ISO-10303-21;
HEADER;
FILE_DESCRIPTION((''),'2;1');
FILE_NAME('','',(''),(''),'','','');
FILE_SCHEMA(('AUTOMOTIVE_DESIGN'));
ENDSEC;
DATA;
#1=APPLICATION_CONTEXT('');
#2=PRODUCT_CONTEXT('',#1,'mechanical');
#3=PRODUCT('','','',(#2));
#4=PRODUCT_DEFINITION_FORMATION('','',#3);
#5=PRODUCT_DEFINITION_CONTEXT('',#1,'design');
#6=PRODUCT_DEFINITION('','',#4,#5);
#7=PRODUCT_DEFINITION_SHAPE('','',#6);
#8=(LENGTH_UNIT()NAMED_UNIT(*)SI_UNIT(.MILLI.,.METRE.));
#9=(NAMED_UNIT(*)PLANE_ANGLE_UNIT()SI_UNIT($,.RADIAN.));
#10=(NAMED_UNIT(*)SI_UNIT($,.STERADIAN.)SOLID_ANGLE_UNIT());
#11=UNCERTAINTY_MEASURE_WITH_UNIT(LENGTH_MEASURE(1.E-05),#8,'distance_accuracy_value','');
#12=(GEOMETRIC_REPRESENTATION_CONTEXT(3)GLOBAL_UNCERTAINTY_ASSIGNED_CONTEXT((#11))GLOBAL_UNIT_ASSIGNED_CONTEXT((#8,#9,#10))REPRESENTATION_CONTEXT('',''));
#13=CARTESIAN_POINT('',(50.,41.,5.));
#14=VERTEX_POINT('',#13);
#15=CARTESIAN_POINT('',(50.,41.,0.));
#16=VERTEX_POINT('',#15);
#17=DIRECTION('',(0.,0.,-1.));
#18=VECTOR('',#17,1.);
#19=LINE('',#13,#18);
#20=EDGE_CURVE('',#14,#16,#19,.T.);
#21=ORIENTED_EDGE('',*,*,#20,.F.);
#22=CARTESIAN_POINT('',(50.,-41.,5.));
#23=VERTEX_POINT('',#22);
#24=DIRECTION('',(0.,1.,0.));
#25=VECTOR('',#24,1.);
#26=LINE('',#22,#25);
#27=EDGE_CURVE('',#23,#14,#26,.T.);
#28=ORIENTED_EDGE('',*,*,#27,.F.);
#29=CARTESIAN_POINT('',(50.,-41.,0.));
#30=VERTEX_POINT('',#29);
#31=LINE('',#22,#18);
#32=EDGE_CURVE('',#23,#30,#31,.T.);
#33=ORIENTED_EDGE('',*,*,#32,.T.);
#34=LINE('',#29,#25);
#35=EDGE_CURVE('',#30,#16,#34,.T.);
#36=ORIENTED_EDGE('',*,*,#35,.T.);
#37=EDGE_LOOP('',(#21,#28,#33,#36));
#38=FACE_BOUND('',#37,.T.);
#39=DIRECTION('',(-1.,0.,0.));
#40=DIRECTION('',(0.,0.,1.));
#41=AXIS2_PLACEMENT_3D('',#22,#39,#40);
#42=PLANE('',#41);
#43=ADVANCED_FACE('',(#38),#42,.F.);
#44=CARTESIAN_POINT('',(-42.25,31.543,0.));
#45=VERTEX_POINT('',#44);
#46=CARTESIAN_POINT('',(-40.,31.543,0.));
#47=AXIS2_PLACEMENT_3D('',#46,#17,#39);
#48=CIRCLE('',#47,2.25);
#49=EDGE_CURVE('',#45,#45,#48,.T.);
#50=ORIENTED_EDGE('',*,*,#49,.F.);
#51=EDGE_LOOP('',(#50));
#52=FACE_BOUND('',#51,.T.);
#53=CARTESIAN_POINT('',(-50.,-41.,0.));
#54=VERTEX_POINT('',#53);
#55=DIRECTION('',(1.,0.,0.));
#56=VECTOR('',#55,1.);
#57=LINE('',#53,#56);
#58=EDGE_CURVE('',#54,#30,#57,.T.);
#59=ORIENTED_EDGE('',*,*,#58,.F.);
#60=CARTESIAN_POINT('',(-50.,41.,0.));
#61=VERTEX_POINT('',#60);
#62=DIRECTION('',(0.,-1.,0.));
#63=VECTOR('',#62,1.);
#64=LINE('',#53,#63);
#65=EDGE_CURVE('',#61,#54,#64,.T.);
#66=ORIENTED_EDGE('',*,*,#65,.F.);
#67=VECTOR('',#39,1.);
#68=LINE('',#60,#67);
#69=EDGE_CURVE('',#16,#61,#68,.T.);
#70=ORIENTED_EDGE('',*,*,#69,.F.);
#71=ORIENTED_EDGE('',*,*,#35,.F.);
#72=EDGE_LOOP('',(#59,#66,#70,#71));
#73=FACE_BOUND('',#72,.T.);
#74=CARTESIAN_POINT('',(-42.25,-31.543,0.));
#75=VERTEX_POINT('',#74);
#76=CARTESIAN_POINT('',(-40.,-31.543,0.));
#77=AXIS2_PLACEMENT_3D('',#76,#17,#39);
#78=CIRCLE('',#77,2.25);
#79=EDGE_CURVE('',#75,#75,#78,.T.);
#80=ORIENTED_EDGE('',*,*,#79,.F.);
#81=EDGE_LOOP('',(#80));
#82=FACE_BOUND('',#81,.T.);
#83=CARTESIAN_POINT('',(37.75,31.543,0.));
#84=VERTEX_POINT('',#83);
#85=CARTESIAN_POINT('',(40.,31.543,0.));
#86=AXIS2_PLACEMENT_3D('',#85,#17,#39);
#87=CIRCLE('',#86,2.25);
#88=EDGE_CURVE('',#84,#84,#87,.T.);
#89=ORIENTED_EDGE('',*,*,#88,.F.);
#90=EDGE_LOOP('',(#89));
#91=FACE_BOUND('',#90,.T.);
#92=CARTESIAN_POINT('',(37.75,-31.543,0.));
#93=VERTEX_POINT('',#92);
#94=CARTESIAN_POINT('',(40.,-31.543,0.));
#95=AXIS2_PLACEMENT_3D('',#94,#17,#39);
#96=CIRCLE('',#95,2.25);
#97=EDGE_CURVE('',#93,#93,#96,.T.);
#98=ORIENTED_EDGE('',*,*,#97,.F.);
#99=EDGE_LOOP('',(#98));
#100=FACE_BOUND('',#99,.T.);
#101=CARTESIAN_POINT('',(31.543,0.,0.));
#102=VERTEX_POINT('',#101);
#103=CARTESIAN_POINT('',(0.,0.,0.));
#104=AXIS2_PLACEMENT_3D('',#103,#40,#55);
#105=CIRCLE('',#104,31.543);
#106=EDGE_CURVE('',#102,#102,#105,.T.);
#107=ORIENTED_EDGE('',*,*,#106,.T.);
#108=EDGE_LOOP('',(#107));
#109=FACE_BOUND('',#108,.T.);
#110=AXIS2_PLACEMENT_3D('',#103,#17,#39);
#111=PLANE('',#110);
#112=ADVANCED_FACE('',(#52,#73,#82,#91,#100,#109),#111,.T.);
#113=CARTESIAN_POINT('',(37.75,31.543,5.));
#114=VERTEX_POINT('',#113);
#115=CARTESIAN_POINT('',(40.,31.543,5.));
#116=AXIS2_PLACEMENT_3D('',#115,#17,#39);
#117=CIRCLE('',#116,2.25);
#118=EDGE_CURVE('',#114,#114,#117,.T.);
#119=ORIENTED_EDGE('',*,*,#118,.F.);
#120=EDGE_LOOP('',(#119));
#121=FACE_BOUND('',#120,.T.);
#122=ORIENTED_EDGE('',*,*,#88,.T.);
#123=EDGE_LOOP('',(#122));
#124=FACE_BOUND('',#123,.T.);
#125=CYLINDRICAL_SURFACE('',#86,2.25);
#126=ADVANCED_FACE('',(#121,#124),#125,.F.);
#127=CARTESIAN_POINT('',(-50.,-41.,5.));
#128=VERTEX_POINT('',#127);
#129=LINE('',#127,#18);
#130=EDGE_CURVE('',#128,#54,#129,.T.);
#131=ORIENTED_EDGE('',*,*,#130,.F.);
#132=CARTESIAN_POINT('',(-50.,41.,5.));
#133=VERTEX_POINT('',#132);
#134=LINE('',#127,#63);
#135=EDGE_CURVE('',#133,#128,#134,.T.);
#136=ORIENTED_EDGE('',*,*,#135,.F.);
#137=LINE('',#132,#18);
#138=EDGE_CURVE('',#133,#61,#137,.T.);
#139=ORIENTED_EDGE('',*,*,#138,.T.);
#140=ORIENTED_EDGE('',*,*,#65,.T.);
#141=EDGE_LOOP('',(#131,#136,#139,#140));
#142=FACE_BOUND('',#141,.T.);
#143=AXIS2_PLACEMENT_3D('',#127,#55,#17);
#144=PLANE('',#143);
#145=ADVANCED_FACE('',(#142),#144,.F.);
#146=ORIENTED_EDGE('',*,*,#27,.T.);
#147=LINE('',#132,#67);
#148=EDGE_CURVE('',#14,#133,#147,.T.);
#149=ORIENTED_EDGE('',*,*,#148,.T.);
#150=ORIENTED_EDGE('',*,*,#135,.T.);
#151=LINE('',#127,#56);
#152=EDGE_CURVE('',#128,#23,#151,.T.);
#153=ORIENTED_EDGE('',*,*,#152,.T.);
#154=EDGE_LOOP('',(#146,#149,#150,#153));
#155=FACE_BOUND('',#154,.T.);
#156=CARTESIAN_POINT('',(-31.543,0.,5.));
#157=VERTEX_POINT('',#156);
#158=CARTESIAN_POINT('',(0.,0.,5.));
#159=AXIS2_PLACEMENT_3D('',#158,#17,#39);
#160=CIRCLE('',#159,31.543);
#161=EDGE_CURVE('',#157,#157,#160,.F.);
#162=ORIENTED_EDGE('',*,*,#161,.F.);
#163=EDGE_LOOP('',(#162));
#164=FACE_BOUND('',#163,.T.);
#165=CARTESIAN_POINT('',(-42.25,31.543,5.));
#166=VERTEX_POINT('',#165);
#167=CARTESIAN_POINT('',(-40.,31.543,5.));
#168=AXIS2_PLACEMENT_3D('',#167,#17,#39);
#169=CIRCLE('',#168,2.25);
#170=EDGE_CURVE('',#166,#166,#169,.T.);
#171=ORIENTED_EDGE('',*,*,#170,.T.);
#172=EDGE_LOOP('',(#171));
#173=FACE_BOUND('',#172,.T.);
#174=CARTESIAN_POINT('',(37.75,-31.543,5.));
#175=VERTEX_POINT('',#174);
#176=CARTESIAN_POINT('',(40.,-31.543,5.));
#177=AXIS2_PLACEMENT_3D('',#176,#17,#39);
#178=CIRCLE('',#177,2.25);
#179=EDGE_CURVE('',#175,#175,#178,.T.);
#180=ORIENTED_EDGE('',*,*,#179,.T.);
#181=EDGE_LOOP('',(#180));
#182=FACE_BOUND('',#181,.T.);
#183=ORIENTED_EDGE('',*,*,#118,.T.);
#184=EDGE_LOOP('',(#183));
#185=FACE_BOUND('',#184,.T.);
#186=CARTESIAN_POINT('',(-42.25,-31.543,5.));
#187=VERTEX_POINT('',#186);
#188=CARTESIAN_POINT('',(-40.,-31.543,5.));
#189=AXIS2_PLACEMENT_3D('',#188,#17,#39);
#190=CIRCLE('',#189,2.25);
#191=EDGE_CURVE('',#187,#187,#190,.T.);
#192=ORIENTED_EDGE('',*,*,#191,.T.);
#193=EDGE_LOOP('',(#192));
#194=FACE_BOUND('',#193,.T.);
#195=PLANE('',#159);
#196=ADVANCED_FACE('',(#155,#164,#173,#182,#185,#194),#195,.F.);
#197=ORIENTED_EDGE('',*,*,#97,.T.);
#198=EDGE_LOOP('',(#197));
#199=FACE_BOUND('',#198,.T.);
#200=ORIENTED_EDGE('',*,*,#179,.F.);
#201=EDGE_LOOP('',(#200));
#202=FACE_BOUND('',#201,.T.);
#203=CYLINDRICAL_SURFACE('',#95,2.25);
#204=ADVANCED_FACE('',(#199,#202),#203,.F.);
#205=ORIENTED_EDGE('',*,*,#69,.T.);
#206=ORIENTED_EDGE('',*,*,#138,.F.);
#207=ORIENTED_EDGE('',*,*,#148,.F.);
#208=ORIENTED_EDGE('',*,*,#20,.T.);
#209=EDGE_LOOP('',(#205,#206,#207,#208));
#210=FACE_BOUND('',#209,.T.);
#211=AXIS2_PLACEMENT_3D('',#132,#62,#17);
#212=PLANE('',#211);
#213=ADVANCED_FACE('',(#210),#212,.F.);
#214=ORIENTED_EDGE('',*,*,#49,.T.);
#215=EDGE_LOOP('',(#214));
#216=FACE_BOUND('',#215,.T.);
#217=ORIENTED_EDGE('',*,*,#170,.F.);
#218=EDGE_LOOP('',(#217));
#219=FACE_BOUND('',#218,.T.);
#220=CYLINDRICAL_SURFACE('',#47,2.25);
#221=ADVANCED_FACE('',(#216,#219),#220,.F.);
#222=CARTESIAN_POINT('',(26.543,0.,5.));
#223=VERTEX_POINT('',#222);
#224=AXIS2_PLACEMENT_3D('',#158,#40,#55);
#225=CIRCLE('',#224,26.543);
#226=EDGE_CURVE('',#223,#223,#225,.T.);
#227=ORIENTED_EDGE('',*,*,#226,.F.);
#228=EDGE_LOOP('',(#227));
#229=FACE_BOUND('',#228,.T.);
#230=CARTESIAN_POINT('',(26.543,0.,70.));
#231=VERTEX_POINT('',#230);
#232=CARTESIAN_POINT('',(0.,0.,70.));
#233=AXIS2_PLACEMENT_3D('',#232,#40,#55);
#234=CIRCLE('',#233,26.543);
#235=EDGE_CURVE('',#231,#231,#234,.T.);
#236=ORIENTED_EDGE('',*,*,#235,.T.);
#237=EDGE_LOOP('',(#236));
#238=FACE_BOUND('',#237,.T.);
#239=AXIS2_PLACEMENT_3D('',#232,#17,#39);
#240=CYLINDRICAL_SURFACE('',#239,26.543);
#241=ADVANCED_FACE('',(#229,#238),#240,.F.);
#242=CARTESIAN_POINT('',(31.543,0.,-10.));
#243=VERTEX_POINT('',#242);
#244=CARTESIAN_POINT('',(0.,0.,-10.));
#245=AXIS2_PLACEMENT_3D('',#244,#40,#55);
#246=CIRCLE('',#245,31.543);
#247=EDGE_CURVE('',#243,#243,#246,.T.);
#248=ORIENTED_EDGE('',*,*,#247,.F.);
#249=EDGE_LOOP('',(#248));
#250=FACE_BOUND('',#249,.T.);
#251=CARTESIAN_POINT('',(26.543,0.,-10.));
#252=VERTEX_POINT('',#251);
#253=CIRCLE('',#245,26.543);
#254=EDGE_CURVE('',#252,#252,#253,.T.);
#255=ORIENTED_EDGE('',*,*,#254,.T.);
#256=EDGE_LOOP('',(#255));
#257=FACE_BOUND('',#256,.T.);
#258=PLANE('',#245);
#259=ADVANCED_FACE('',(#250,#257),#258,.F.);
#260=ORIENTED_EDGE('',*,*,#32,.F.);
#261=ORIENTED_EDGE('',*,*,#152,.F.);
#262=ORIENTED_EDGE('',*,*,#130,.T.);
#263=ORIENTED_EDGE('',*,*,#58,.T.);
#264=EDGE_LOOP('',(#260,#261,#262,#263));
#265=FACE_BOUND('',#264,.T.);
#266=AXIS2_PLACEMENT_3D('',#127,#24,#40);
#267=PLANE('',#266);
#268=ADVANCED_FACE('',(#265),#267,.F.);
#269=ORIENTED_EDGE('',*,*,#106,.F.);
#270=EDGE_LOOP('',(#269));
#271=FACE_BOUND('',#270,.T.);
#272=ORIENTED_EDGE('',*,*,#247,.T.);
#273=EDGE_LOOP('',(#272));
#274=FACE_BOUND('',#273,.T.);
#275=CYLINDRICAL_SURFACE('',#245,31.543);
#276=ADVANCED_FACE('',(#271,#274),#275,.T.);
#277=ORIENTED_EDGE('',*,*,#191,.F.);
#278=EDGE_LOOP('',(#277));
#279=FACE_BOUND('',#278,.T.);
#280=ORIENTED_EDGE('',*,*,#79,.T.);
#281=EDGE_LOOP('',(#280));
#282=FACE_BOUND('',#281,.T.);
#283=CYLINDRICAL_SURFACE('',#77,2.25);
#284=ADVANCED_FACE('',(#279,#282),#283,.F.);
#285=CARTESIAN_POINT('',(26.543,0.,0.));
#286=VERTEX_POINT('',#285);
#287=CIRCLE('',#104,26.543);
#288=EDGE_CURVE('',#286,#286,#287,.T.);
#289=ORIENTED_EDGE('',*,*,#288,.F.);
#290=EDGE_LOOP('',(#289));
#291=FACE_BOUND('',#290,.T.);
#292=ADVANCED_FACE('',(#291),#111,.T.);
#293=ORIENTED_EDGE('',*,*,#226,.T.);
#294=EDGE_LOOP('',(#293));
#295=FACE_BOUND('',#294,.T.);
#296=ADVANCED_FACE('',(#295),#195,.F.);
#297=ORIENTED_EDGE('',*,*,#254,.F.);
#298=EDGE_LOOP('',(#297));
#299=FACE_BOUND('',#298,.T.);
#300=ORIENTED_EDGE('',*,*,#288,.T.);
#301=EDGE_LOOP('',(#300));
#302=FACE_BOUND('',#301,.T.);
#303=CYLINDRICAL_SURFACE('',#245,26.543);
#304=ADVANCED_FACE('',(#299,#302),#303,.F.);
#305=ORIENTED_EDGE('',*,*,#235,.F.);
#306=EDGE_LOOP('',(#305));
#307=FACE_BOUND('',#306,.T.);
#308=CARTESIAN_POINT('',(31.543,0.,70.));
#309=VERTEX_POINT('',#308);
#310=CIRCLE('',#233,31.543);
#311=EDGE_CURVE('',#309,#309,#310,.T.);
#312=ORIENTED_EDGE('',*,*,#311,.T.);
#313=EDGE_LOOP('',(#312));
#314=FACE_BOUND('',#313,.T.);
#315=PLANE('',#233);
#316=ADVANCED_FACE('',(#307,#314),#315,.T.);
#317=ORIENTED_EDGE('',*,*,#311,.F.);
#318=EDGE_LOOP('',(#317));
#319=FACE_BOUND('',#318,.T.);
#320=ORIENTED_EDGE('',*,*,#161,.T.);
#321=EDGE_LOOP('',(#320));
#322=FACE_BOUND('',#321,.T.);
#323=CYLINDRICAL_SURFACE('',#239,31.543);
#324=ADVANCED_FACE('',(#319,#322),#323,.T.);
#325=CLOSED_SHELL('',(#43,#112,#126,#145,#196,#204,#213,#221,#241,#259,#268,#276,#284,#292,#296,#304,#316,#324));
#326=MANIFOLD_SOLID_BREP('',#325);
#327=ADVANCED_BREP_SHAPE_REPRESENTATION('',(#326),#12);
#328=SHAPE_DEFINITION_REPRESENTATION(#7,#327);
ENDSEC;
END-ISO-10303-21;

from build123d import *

# Parameters (mm, degrees)
SKETCH1_R                = 31.543
SKETCH1_R_2              = 26.543
BOSS_EXTRUDE1_DEPTH      = 10
SKETCH2_W                = 100
SKETCH2_H                = 82
BOSS_EXTRUDE2_DEPTH      = 5
M4_CLEARANCE_HOLE2_D     = 4.5
M4_CLEARANCE_HOLE2_DEPTH = 5
SKETCH8_R                = 31.543
SKETCH8_R_2              = 26.543
BOSS_EXTRUDE3_DEPTH      = 65


with BuildPart() as part:
    # Sketch1 → Boss-Extrude1 (new body)
    with BuildSketch(Plane.XY):
        Circle(SKETCH1_R)
        Circle(SKETCH1_R_2, mode=Mode.SUBTRACT)
    extrude(amount=-BOSS_EXTRUDE1_DEPTH)

    # Sketch2 → Boss-Extrude2 (add)
    with BuildSketch(Plane.XY):
        Rectangle(SKETCH2_W, SKETCH2_H)
    extrude(amount=BOSS_EXTRUDE2_DEPTH)

    # M4 Clearance Hole2
    with Locations(Plane(origin=(0, 0, 0), x_dir=(-1, 0, 0), z_dir=(0, 0, -1))):
        with Locations((-40, 31.543), (40, 31.543), (40, -31.543), (-40, -31.543)):
            Hole(M4_CLEARANCE_HOLE2_D / 2, depth=M4_CLEARANCE_HOLE2_DEPTH)

    # Sketch8 → Boss-Extrude3 (add)
    with BuildSketch(Plane.XY.offset(5)):
        Circle(SKETCH8_R)
        Circle(SKETCH8_R_2, mode=Mode.SUBTRACT)
    extrude(amount=BOSS_EXTRUDE3_DEPTH)


solid = part.part
